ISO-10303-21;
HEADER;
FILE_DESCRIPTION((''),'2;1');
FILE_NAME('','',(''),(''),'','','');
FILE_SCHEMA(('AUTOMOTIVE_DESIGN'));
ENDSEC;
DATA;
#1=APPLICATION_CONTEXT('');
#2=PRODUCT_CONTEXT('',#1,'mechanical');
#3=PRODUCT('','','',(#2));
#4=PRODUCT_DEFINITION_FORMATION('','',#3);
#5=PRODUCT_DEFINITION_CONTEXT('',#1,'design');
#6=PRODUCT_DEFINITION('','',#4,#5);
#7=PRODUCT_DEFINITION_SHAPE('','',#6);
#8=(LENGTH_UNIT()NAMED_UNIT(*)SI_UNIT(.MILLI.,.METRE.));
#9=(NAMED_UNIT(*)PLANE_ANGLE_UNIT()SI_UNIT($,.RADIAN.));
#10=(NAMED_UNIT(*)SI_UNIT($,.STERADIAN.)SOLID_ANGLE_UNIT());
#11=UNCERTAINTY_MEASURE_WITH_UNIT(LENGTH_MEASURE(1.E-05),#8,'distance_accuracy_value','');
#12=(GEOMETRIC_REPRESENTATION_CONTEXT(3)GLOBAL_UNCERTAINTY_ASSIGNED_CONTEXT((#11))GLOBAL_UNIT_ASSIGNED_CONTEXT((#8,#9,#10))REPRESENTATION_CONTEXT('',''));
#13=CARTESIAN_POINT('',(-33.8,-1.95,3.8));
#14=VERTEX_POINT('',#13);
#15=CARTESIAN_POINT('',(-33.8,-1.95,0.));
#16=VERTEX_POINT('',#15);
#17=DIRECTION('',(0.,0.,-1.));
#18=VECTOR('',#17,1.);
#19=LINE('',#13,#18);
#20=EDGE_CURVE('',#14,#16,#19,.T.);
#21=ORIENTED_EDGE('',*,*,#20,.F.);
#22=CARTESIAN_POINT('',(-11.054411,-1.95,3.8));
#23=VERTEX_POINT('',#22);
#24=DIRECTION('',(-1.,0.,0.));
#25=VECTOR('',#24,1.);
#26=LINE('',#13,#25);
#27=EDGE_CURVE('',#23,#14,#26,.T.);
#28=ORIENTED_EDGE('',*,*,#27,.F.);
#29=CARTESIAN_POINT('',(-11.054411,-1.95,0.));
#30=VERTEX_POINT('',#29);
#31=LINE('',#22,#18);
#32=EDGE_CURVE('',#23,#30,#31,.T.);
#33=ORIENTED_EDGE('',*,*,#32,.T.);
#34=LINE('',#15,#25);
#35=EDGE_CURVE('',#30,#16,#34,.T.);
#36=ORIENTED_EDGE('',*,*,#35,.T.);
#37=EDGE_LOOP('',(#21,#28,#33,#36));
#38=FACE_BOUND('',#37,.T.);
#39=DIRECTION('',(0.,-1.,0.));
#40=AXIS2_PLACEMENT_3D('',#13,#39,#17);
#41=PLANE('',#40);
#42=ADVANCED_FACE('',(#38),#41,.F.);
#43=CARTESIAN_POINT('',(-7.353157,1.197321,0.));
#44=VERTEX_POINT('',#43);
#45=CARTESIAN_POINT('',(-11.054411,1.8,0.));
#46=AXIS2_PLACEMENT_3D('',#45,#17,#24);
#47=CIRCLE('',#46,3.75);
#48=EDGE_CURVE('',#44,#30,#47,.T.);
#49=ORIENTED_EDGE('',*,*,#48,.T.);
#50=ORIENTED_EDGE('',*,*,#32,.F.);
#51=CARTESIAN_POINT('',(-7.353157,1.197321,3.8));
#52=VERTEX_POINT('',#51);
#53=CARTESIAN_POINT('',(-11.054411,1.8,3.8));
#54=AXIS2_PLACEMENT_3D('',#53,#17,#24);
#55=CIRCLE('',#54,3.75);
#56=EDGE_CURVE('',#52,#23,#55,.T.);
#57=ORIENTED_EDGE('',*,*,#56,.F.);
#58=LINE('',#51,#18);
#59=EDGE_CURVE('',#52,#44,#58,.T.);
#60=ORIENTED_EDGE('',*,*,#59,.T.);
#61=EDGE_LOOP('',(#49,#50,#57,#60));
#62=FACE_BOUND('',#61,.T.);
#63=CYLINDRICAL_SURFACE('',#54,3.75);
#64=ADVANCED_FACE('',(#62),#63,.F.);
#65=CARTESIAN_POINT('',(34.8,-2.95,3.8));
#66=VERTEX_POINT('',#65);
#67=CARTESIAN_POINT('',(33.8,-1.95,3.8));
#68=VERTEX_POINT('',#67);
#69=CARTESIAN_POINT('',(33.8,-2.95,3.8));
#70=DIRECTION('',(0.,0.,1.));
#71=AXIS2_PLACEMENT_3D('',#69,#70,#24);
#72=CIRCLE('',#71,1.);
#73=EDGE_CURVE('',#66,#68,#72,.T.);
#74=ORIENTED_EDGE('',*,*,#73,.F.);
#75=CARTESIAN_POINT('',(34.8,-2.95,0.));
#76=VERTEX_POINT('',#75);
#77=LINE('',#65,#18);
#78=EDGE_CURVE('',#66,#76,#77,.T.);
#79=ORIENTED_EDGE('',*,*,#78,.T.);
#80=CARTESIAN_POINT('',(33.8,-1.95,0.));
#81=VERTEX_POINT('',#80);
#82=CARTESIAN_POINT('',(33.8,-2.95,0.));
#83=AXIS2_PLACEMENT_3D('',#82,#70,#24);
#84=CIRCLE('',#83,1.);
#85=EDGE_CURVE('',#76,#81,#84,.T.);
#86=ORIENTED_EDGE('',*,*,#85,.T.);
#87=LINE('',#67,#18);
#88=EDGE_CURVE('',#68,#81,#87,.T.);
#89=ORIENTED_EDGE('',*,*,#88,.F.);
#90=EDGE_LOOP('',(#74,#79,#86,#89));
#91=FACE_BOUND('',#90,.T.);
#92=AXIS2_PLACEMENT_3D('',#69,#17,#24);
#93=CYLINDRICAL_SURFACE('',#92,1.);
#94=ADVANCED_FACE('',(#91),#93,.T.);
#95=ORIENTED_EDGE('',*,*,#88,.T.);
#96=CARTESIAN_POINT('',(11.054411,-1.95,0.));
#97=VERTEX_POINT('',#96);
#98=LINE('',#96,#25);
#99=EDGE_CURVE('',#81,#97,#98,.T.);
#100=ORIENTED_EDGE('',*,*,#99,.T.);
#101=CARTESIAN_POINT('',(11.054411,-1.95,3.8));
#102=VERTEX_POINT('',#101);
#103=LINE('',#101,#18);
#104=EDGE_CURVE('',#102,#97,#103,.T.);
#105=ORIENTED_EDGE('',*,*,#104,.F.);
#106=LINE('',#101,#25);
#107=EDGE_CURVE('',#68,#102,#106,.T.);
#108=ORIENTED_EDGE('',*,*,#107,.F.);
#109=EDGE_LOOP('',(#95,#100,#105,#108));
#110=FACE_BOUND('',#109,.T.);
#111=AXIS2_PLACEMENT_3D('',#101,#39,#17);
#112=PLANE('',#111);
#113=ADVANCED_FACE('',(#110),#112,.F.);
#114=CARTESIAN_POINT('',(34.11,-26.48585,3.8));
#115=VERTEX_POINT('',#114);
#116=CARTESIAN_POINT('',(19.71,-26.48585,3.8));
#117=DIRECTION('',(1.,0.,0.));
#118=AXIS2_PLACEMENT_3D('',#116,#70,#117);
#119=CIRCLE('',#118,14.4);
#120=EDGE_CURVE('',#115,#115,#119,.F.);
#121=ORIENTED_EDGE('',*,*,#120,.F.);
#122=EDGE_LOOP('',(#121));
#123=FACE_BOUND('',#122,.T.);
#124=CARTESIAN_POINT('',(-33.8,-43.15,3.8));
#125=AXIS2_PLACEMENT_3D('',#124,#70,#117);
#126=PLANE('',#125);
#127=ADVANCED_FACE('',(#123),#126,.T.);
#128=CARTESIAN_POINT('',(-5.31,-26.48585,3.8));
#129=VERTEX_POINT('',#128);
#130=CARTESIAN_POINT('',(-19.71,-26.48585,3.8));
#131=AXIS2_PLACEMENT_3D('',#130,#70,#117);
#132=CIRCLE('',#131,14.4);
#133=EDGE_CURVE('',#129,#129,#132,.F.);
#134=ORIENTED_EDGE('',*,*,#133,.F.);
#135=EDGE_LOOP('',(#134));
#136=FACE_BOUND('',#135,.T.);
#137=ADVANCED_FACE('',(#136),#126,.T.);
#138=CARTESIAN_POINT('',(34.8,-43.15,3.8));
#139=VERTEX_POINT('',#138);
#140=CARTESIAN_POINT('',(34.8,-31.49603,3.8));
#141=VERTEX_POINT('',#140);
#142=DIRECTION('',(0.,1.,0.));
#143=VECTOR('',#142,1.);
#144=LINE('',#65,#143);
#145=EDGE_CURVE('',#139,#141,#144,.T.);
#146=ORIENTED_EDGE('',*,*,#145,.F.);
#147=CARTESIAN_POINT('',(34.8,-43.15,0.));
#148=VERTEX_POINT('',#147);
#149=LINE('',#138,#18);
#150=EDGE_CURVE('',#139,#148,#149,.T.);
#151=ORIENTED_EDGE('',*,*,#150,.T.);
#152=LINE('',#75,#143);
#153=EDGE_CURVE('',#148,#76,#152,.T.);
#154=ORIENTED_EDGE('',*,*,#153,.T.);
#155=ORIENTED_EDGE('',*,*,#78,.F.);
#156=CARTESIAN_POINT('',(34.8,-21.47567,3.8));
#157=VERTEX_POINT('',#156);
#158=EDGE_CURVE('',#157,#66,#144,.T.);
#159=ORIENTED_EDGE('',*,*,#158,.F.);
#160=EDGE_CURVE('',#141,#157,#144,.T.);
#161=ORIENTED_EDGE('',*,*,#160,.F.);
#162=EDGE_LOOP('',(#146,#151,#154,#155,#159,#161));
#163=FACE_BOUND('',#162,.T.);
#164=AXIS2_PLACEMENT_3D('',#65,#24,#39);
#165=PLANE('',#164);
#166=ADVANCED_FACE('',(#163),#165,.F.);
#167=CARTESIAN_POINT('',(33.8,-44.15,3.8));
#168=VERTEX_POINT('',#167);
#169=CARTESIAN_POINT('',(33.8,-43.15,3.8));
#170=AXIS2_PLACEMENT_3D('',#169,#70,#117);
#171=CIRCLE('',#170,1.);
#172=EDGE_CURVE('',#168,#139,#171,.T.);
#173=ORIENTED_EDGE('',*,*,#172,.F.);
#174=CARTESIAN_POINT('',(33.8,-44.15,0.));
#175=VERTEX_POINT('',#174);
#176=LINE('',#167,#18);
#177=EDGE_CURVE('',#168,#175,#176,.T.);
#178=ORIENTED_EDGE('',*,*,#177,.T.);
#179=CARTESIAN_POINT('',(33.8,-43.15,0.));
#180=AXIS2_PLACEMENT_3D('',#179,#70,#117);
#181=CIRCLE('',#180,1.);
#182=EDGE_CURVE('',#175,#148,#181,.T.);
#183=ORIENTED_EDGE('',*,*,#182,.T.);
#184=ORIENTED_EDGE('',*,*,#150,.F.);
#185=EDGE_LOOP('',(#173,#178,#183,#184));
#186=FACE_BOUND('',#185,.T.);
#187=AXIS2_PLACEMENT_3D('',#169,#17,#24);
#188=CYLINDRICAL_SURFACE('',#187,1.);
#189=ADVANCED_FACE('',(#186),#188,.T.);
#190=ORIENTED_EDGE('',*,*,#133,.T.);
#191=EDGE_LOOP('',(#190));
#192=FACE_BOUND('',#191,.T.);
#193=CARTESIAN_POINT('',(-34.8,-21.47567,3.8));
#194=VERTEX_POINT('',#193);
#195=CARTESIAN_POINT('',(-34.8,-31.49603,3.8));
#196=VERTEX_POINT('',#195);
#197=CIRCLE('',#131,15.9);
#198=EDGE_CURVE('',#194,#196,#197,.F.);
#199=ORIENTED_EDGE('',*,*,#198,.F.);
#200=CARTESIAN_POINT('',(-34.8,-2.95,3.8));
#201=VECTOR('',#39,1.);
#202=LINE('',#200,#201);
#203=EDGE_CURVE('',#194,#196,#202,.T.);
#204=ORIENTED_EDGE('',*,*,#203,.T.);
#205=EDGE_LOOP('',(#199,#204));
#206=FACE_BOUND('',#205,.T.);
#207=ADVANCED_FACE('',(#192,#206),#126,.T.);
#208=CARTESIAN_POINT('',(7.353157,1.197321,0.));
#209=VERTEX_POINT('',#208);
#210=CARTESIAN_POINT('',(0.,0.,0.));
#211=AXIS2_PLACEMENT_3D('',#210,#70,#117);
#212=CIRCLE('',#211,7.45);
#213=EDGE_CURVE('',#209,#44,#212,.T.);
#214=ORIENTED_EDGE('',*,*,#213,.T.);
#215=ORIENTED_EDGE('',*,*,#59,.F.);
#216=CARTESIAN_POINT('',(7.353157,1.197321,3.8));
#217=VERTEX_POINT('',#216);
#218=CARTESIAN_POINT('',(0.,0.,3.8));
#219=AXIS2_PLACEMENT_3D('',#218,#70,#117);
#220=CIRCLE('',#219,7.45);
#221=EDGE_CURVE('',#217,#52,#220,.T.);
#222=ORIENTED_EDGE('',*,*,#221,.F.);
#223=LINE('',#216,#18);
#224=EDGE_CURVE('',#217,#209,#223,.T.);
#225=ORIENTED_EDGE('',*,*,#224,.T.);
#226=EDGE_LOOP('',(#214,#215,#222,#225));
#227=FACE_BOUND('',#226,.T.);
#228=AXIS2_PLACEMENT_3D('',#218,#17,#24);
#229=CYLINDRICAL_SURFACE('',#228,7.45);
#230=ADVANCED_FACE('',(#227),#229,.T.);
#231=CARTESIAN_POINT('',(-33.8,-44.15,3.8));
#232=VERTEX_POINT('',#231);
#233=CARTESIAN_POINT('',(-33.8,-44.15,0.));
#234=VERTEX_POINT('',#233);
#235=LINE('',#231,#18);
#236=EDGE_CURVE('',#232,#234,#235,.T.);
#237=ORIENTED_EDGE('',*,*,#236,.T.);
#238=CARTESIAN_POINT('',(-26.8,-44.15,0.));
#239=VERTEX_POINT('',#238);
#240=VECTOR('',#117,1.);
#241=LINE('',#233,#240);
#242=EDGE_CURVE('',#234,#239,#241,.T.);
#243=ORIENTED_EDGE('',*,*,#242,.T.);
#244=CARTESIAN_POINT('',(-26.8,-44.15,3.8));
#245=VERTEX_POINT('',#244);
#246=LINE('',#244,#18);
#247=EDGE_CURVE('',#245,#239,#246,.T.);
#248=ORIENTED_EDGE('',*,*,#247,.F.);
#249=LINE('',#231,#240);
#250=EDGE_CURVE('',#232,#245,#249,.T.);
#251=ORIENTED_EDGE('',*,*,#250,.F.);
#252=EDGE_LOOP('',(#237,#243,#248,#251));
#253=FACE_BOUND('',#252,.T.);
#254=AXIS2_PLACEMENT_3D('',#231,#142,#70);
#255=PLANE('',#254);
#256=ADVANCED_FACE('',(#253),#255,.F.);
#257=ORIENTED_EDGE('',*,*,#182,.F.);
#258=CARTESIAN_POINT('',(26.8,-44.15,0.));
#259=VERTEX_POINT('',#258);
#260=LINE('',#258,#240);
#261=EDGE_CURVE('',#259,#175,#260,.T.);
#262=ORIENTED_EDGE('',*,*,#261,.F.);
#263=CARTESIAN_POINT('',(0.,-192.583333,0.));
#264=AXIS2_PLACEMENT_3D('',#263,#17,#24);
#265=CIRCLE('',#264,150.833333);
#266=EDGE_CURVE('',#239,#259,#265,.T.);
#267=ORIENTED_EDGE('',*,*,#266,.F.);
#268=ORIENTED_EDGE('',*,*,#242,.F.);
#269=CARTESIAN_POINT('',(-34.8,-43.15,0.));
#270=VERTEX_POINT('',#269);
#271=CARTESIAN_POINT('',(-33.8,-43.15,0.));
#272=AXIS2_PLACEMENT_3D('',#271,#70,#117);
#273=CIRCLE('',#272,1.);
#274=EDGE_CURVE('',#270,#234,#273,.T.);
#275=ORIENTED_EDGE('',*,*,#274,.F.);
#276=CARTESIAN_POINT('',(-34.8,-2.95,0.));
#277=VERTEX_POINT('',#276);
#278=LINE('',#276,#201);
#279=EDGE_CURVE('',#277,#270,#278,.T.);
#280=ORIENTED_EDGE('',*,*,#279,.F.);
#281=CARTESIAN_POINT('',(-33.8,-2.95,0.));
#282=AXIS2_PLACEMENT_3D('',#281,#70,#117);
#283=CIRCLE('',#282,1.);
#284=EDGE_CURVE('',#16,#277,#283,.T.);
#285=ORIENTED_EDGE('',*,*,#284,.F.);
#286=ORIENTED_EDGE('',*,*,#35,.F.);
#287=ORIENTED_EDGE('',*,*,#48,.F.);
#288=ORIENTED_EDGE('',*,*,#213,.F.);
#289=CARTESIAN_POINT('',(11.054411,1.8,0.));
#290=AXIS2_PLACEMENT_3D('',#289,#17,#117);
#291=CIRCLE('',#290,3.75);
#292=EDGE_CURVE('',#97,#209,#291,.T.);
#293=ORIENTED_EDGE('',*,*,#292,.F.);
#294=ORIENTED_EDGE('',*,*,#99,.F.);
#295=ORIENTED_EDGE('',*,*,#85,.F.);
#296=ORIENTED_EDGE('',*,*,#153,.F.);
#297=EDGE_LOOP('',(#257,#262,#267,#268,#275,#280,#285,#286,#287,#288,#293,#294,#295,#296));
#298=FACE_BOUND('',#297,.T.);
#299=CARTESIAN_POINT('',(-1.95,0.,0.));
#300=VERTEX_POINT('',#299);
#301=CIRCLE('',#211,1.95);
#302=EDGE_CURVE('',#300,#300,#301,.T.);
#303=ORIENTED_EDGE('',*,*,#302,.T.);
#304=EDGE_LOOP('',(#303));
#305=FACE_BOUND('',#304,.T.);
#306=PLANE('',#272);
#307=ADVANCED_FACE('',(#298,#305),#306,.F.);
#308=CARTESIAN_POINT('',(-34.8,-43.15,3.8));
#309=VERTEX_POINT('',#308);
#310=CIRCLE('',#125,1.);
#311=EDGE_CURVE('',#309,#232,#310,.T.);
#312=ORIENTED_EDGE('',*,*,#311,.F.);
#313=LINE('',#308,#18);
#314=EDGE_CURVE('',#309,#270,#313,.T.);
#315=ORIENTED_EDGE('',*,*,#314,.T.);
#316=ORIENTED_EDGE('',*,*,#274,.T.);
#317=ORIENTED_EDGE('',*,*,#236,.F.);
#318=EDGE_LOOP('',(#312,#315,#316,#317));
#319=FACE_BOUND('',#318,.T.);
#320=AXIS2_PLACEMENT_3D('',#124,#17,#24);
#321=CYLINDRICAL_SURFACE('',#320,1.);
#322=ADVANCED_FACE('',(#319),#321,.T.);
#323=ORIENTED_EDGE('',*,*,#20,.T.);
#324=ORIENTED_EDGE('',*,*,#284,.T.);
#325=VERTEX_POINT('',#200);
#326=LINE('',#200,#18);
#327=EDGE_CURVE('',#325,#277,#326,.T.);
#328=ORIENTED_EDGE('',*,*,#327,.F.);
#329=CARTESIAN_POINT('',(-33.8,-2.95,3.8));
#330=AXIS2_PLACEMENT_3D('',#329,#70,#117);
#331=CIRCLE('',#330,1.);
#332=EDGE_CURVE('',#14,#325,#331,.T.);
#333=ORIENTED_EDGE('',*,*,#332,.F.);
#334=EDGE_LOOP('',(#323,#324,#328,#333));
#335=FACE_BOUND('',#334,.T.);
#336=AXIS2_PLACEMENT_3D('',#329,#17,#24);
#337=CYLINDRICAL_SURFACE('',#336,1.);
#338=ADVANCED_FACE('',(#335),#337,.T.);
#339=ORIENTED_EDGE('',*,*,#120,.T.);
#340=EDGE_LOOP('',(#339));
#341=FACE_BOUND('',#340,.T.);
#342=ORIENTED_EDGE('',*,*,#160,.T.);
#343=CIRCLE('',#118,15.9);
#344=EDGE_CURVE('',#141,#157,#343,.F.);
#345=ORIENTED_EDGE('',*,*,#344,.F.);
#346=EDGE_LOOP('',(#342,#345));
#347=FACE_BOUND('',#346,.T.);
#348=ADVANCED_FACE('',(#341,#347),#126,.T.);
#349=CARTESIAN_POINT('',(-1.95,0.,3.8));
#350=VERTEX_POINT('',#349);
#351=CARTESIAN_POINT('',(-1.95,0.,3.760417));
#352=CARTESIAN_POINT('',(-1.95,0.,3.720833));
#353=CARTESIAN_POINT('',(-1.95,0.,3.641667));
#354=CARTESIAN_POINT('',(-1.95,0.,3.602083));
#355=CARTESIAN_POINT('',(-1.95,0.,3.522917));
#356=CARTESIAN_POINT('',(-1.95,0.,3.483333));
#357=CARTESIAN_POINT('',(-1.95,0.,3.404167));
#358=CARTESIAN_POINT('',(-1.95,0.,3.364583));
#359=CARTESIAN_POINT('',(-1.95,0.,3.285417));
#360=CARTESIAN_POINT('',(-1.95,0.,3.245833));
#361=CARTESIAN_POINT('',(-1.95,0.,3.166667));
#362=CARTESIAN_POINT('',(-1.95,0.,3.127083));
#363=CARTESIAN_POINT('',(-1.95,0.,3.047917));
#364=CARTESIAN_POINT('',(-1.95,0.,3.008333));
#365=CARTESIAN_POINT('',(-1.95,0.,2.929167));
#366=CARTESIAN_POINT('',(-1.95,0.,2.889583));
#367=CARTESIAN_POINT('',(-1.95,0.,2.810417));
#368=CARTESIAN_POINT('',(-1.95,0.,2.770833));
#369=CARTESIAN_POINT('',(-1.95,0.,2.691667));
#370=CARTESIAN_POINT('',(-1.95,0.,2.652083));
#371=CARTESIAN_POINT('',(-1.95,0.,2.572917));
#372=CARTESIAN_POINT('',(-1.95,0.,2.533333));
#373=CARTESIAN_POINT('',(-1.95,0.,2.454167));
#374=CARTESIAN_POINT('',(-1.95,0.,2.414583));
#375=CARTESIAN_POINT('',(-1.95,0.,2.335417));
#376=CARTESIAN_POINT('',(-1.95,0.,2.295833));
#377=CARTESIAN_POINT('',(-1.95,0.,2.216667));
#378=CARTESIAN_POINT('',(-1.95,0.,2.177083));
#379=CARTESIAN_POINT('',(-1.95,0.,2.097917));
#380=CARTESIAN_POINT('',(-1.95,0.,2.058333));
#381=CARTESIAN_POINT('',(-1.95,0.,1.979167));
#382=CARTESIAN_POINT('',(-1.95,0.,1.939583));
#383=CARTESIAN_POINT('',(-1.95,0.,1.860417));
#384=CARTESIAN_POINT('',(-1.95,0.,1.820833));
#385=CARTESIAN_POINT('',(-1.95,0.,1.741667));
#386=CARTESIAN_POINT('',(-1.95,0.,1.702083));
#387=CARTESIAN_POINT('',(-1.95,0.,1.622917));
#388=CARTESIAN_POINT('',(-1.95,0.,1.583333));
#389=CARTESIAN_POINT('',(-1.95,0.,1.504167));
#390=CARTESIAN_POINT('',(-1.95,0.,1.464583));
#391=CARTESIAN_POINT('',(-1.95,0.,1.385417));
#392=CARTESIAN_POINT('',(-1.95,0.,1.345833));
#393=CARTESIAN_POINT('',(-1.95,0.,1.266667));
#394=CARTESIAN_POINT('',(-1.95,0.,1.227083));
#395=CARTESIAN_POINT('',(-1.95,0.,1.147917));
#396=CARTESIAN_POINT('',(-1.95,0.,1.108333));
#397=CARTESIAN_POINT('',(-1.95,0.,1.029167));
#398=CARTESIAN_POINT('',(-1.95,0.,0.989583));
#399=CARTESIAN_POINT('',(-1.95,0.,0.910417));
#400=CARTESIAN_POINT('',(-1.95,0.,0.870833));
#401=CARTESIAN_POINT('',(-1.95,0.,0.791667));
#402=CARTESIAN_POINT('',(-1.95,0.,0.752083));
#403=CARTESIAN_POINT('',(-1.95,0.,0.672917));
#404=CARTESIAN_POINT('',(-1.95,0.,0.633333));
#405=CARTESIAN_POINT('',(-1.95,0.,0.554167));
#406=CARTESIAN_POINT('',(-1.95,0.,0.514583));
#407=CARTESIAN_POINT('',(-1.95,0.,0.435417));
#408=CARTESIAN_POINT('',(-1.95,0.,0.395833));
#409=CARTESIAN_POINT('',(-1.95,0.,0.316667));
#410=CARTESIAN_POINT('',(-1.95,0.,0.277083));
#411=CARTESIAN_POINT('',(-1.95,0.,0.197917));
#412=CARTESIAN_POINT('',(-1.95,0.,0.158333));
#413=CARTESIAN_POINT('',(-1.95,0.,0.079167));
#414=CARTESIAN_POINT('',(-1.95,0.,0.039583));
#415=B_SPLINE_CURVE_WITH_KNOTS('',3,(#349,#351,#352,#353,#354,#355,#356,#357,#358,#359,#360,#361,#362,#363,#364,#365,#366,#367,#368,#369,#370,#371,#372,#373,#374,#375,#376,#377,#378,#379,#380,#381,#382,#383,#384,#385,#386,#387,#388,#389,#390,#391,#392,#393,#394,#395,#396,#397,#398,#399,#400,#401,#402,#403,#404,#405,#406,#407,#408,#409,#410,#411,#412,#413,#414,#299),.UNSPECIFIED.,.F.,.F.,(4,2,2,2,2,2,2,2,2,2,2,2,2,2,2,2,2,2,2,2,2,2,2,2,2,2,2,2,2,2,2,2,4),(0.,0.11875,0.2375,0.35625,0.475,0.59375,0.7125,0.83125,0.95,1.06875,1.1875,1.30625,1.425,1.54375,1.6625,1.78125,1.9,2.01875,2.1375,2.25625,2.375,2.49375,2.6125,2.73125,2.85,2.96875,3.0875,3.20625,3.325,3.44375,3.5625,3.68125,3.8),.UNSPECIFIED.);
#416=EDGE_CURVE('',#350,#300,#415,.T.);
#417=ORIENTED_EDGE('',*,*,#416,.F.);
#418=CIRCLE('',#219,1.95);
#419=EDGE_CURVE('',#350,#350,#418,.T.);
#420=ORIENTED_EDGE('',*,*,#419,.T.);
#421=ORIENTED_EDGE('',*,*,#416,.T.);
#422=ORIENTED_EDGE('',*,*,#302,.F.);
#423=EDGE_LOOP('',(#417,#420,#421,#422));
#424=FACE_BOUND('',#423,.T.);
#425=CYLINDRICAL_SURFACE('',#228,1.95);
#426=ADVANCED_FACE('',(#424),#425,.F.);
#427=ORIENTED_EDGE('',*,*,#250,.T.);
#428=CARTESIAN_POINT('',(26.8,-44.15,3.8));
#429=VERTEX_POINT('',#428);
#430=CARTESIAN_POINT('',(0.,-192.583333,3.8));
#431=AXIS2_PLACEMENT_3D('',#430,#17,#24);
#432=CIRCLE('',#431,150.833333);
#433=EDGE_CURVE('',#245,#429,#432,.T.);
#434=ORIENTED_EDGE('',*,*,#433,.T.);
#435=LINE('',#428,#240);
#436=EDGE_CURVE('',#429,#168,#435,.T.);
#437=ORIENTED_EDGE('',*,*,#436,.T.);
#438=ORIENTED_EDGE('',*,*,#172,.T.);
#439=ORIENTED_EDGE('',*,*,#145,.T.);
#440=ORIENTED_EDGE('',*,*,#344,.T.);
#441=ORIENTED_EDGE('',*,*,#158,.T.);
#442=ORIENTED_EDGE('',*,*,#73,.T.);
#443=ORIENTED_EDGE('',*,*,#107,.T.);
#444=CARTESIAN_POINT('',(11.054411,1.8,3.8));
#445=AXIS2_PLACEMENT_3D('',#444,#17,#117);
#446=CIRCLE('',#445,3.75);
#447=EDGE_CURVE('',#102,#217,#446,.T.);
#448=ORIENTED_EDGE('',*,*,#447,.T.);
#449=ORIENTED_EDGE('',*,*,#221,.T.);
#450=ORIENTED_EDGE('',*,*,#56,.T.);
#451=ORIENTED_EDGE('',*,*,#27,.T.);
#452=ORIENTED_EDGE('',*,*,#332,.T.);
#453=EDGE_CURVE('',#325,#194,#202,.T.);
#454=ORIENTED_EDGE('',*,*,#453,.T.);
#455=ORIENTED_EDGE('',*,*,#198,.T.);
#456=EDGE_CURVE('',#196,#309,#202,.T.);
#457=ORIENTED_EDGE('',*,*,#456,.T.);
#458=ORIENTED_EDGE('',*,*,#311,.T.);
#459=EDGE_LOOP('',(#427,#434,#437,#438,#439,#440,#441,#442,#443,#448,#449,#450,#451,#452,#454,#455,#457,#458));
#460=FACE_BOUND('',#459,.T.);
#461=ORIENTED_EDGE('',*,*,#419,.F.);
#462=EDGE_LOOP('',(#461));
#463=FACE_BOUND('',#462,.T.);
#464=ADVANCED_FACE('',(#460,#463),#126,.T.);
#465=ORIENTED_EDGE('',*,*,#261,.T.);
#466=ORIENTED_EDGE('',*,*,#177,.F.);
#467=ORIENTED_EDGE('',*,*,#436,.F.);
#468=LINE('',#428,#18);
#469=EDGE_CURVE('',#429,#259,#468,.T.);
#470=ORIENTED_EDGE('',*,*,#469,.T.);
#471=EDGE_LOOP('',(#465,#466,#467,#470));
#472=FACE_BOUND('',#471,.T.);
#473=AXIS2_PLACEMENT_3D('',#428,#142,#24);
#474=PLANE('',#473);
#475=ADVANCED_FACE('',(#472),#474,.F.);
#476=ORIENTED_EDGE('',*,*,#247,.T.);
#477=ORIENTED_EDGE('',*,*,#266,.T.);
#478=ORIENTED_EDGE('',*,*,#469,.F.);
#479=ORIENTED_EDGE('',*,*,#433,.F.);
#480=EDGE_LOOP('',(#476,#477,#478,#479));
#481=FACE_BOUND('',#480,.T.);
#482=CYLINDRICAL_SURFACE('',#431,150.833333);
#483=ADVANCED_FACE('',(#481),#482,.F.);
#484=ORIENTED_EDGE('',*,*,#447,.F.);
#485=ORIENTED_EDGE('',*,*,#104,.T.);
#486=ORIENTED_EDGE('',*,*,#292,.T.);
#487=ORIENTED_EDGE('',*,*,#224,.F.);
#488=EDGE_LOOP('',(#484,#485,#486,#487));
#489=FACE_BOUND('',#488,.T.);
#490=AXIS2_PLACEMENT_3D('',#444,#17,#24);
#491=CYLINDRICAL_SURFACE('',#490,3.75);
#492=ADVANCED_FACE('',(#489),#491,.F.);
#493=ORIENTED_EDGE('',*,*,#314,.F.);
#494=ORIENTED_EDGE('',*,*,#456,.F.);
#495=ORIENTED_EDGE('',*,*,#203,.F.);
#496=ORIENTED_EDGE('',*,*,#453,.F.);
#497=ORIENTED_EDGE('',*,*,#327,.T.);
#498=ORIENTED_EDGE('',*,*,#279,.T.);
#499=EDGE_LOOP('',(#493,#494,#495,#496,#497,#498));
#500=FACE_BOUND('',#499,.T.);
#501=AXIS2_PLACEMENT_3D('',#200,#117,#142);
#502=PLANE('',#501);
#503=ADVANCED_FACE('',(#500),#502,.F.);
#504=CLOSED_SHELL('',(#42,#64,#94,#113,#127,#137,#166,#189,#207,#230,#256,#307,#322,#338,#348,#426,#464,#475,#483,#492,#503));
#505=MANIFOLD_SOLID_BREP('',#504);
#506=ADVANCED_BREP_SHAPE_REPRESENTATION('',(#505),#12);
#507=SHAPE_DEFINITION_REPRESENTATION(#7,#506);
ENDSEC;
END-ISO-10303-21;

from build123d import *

# Parameters (mm, degrees)
SKETCH1_R      = 1.95
EXTRUDE1_DEPTH = 3.8


with BuildPart() as part:
    # Sketch1 → Extrude1 (new body)
    with BuildSketch(Plane.XY):
        with BuildLine():
            Line((26.8, -44.15), (33.8, -44.15))
            ThreePointArc((33.8, -44.15), (34.507106781, -43.857106781), (34.8, -43.15))
            Line((34.8, -43.15), (34.8, -2.95))
            ThreePointArc((34.8, -2.95), (34.507106781, -2.242893219), (33.8, -1.95))
            Line((33.8, -1.95), (11.054410884, -1.95))
            ThreePointArc((11.054410884, -1.95), (8.625166624, -1.056794064), (7.35315724, 1.197321429))
            ThreePointArc((7.35315724, 1.197321429), (0, 7.45), (-7.35315724, 1.197321429))
            ThreePointArc((-7.35315724, 1.197321429), (-8.625166624, -1.056794064), (-11.054410884, -1.95))
            Line((-11.054410884, -1.95), (-33.8, -1.95))
            ThreePointArc((-33.8, -1.95), (-34.507106781, -2.242893219), (-34.8, -2.95))
            Line((-34.8, -2.95), (-34.8, -43.15))
            ThreePointArc((-34.8, -43.15), (-34.507106781, -43.857106781), (-33.8, -44.15))
            Line((-33.8, -44.15), (-26.8, -44.15))
            ThreePointArc((-26.8, -44.15), (0, -41.75), (26.8, -44.15))
        make_face()
        with Locations(Location((0, 0, 0), (0, 0, 180))):
            Circle(SKETCH1_R, mode=Mode.SUBTRACT)
    extrude(amount=EXTRUDE1_DEPTH)


solid = part.part
